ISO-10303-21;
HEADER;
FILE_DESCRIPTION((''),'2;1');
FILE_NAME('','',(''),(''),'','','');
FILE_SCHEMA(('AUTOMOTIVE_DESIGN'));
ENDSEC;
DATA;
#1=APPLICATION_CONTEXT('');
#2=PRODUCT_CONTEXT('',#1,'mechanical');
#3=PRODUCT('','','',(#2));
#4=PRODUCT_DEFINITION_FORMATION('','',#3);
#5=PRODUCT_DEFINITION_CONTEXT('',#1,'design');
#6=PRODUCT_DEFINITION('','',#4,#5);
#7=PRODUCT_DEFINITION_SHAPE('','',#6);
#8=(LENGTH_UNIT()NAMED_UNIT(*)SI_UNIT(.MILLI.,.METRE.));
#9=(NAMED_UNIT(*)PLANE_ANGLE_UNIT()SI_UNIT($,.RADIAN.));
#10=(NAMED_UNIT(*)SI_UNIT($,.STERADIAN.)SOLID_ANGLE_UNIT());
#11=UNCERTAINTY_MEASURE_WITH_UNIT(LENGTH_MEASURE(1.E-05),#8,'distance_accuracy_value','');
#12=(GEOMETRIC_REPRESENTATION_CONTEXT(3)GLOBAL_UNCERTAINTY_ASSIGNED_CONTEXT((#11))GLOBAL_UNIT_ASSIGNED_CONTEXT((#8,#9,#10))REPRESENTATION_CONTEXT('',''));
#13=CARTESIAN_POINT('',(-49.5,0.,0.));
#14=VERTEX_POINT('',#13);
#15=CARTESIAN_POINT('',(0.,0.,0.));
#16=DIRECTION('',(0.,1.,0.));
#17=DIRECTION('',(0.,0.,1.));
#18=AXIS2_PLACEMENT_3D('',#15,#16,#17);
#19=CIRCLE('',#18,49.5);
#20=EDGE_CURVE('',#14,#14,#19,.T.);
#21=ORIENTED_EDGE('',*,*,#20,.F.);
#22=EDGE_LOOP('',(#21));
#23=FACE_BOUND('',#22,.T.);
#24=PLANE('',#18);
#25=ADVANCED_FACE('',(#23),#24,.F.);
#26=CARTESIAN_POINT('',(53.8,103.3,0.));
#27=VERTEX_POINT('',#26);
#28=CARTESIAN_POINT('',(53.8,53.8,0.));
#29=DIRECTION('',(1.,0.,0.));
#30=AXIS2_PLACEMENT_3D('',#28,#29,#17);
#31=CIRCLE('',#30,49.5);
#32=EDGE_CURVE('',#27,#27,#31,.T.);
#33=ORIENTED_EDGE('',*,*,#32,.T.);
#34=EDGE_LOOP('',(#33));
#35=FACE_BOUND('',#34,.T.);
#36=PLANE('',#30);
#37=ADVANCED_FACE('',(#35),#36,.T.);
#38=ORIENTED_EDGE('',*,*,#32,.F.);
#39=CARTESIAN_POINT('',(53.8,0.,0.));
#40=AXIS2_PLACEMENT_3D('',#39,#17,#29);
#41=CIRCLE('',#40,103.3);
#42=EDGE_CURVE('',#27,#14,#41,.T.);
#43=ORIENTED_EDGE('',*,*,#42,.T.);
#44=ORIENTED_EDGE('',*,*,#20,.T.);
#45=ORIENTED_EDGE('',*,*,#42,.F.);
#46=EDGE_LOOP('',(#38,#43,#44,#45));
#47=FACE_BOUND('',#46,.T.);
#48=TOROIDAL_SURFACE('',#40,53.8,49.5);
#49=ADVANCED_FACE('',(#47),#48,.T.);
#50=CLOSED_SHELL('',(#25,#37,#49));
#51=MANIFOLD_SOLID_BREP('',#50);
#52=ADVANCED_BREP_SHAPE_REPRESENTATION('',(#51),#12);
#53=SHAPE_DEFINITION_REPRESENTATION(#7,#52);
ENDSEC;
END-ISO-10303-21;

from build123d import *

# Parameters (mm, degrees)
ESBO_O1_R       = 49.5
REVOLU_O1_ANGLE = 90


with BuildPart() as part:
    # Esboço1 → Revolução1 (revolve)
    with BuildSketch(Plane(origin=(0, 0, 0), x_dir=(1, 0, 0), z_dir=(0, 1, 0))):
        Circle(ESBO_O1_R)
    revolve(axis=Axis((53.8, 0, 0), (0, 0, -1)), revolution_arc=REVOLU_O1_ANGLE)


solid = part.part
